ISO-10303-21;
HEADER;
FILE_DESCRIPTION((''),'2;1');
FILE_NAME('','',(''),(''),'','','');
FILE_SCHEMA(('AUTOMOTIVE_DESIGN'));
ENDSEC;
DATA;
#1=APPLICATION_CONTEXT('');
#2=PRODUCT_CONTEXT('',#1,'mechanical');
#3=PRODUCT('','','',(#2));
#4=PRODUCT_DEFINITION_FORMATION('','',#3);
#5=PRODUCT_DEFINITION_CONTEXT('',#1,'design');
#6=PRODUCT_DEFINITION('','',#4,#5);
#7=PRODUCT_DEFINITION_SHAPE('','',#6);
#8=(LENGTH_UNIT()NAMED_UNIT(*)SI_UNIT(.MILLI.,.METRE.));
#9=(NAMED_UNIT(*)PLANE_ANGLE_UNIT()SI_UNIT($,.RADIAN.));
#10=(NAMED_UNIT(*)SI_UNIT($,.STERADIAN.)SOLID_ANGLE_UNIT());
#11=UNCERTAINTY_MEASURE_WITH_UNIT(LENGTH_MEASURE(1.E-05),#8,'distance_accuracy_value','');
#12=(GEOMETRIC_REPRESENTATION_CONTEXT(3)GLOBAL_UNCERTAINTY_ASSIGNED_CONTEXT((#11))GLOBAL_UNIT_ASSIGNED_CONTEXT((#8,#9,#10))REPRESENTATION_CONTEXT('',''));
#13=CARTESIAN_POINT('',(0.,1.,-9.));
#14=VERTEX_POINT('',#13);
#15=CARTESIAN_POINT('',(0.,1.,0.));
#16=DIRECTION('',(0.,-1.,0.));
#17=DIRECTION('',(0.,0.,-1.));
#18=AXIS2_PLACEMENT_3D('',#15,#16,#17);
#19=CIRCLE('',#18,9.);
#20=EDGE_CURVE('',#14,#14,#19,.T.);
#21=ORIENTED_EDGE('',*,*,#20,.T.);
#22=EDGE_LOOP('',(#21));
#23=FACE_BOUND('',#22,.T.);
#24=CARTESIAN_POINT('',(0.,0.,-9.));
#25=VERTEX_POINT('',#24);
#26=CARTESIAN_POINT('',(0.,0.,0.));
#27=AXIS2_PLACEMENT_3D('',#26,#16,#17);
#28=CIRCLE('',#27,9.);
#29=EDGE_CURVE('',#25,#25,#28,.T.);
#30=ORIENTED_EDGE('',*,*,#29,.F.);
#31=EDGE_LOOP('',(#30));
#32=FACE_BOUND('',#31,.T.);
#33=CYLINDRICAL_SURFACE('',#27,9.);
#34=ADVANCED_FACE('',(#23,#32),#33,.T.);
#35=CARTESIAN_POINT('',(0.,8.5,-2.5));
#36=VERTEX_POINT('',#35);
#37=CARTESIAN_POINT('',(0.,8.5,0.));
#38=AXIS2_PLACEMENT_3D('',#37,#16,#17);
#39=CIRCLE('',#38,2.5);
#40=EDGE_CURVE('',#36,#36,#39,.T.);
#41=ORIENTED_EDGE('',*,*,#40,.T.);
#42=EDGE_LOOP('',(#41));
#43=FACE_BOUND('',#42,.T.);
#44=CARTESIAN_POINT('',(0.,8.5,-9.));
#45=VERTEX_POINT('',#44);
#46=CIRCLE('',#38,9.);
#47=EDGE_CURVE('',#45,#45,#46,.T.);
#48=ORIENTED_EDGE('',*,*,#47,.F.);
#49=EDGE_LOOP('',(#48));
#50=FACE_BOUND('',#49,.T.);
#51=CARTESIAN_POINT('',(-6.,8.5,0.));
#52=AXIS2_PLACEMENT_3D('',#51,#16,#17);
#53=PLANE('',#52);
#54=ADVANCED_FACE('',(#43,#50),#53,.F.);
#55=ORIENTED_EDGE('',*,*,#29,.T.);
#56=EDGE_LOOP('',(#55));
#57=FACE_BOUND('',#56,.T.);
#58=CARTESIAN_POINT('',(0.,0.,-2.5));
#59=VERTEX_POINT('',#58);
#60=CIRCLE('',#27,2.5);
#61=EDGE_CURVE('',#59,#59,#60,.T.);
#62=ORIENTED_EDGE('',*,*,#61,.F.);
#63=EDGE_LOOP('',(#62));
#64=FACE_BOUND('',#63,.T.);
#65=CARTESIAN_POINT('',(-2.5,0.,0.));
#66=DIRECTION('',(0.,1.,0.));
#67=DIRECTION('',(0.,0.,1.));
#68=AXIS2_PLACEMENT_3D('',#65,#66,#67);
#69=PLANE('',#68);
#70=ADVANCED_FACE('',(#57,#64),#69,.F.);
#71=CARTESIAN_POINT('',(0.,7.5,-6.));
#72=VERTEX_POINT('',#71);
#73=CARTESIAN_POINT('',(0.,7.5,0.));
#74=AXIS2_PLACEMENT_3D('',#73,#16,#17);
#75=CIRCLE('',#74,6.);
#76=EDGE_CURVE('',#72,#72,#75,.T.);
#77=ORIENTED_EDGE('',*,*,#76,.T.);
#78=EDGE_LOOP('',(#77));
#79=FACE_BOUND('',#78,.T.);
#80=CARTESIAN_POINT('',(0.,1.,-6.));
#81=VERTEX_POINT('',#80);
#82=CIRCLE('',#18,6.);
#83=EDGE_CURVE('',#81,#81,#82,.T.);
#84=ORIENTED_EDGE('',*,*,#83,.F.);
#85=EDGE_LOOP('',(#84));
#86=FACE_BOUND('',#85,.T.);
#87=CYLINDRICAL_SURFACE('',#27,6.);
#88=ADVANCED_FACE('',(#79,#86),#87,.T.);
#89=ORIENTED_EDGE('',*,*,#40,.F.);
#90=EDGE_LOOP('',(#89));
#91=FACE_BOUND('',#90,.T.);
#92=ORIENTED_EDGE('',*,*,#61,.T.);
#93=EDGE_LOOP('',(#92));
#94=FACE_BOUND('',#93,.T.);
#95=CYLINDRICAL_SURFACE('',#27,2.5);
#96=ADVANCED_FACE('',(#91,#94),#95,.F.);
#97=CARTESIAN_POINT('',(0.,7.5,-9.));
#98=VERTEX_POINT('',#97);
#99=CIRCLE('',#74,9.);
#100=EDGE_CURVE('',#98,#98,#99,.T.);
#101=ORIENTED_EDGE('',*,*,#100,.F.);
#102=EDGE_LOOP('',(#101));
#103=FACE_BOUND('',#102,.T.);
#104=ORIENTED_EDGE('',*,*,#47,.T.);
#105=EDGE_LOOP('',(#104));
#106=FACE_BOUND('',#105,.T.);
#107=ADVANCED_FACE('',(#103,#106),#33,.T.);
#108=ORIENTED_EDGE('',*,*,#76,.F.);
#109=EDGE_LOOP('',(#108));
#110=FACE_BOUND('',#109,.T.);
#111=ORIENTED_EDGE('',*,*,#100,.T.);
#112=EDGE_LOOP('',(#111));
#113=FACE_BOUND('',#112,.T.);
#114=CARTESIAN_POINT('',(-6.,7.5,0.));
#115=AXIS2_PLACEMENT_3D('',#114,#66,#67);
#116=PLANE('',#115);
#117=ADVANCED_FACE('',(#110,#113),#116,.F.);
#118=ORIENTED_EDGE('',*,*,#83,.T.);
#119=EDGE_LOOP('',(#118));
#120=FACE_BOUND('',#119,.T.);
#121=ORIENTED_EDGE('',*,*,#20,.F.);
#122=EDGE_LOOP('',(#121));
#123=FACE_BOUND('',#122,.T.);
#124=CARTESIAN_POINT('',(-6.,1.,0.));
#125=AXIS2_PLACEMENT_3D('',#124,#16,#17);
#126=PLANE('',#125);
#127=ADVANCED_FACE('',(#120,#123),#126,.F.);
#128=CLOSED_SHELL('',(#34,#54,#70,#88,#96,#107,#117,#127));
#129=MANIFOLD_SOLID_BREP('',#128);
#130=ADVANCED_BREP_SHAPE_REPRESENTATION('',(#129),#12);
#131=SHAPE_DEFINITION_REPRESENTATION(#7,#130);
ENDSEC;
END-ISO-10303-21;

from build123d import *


with BuildPart() as part:
    # Esquisse1 → Révolution1 (revolve)
    with BuildSketch(Plane.XY):
        Polygon((-6, 7.5), (-6, 1), (-9, 1), (-9, 0), (-6, 0), (-2.5, 0), (-2.5, 8.5), (-6, 8.5), (-9, 8.5), (-9, 7.5), align=None)
    revolve(axis=Axis((0, 0, 0), (0, 1, 0)))


solid = part.part
